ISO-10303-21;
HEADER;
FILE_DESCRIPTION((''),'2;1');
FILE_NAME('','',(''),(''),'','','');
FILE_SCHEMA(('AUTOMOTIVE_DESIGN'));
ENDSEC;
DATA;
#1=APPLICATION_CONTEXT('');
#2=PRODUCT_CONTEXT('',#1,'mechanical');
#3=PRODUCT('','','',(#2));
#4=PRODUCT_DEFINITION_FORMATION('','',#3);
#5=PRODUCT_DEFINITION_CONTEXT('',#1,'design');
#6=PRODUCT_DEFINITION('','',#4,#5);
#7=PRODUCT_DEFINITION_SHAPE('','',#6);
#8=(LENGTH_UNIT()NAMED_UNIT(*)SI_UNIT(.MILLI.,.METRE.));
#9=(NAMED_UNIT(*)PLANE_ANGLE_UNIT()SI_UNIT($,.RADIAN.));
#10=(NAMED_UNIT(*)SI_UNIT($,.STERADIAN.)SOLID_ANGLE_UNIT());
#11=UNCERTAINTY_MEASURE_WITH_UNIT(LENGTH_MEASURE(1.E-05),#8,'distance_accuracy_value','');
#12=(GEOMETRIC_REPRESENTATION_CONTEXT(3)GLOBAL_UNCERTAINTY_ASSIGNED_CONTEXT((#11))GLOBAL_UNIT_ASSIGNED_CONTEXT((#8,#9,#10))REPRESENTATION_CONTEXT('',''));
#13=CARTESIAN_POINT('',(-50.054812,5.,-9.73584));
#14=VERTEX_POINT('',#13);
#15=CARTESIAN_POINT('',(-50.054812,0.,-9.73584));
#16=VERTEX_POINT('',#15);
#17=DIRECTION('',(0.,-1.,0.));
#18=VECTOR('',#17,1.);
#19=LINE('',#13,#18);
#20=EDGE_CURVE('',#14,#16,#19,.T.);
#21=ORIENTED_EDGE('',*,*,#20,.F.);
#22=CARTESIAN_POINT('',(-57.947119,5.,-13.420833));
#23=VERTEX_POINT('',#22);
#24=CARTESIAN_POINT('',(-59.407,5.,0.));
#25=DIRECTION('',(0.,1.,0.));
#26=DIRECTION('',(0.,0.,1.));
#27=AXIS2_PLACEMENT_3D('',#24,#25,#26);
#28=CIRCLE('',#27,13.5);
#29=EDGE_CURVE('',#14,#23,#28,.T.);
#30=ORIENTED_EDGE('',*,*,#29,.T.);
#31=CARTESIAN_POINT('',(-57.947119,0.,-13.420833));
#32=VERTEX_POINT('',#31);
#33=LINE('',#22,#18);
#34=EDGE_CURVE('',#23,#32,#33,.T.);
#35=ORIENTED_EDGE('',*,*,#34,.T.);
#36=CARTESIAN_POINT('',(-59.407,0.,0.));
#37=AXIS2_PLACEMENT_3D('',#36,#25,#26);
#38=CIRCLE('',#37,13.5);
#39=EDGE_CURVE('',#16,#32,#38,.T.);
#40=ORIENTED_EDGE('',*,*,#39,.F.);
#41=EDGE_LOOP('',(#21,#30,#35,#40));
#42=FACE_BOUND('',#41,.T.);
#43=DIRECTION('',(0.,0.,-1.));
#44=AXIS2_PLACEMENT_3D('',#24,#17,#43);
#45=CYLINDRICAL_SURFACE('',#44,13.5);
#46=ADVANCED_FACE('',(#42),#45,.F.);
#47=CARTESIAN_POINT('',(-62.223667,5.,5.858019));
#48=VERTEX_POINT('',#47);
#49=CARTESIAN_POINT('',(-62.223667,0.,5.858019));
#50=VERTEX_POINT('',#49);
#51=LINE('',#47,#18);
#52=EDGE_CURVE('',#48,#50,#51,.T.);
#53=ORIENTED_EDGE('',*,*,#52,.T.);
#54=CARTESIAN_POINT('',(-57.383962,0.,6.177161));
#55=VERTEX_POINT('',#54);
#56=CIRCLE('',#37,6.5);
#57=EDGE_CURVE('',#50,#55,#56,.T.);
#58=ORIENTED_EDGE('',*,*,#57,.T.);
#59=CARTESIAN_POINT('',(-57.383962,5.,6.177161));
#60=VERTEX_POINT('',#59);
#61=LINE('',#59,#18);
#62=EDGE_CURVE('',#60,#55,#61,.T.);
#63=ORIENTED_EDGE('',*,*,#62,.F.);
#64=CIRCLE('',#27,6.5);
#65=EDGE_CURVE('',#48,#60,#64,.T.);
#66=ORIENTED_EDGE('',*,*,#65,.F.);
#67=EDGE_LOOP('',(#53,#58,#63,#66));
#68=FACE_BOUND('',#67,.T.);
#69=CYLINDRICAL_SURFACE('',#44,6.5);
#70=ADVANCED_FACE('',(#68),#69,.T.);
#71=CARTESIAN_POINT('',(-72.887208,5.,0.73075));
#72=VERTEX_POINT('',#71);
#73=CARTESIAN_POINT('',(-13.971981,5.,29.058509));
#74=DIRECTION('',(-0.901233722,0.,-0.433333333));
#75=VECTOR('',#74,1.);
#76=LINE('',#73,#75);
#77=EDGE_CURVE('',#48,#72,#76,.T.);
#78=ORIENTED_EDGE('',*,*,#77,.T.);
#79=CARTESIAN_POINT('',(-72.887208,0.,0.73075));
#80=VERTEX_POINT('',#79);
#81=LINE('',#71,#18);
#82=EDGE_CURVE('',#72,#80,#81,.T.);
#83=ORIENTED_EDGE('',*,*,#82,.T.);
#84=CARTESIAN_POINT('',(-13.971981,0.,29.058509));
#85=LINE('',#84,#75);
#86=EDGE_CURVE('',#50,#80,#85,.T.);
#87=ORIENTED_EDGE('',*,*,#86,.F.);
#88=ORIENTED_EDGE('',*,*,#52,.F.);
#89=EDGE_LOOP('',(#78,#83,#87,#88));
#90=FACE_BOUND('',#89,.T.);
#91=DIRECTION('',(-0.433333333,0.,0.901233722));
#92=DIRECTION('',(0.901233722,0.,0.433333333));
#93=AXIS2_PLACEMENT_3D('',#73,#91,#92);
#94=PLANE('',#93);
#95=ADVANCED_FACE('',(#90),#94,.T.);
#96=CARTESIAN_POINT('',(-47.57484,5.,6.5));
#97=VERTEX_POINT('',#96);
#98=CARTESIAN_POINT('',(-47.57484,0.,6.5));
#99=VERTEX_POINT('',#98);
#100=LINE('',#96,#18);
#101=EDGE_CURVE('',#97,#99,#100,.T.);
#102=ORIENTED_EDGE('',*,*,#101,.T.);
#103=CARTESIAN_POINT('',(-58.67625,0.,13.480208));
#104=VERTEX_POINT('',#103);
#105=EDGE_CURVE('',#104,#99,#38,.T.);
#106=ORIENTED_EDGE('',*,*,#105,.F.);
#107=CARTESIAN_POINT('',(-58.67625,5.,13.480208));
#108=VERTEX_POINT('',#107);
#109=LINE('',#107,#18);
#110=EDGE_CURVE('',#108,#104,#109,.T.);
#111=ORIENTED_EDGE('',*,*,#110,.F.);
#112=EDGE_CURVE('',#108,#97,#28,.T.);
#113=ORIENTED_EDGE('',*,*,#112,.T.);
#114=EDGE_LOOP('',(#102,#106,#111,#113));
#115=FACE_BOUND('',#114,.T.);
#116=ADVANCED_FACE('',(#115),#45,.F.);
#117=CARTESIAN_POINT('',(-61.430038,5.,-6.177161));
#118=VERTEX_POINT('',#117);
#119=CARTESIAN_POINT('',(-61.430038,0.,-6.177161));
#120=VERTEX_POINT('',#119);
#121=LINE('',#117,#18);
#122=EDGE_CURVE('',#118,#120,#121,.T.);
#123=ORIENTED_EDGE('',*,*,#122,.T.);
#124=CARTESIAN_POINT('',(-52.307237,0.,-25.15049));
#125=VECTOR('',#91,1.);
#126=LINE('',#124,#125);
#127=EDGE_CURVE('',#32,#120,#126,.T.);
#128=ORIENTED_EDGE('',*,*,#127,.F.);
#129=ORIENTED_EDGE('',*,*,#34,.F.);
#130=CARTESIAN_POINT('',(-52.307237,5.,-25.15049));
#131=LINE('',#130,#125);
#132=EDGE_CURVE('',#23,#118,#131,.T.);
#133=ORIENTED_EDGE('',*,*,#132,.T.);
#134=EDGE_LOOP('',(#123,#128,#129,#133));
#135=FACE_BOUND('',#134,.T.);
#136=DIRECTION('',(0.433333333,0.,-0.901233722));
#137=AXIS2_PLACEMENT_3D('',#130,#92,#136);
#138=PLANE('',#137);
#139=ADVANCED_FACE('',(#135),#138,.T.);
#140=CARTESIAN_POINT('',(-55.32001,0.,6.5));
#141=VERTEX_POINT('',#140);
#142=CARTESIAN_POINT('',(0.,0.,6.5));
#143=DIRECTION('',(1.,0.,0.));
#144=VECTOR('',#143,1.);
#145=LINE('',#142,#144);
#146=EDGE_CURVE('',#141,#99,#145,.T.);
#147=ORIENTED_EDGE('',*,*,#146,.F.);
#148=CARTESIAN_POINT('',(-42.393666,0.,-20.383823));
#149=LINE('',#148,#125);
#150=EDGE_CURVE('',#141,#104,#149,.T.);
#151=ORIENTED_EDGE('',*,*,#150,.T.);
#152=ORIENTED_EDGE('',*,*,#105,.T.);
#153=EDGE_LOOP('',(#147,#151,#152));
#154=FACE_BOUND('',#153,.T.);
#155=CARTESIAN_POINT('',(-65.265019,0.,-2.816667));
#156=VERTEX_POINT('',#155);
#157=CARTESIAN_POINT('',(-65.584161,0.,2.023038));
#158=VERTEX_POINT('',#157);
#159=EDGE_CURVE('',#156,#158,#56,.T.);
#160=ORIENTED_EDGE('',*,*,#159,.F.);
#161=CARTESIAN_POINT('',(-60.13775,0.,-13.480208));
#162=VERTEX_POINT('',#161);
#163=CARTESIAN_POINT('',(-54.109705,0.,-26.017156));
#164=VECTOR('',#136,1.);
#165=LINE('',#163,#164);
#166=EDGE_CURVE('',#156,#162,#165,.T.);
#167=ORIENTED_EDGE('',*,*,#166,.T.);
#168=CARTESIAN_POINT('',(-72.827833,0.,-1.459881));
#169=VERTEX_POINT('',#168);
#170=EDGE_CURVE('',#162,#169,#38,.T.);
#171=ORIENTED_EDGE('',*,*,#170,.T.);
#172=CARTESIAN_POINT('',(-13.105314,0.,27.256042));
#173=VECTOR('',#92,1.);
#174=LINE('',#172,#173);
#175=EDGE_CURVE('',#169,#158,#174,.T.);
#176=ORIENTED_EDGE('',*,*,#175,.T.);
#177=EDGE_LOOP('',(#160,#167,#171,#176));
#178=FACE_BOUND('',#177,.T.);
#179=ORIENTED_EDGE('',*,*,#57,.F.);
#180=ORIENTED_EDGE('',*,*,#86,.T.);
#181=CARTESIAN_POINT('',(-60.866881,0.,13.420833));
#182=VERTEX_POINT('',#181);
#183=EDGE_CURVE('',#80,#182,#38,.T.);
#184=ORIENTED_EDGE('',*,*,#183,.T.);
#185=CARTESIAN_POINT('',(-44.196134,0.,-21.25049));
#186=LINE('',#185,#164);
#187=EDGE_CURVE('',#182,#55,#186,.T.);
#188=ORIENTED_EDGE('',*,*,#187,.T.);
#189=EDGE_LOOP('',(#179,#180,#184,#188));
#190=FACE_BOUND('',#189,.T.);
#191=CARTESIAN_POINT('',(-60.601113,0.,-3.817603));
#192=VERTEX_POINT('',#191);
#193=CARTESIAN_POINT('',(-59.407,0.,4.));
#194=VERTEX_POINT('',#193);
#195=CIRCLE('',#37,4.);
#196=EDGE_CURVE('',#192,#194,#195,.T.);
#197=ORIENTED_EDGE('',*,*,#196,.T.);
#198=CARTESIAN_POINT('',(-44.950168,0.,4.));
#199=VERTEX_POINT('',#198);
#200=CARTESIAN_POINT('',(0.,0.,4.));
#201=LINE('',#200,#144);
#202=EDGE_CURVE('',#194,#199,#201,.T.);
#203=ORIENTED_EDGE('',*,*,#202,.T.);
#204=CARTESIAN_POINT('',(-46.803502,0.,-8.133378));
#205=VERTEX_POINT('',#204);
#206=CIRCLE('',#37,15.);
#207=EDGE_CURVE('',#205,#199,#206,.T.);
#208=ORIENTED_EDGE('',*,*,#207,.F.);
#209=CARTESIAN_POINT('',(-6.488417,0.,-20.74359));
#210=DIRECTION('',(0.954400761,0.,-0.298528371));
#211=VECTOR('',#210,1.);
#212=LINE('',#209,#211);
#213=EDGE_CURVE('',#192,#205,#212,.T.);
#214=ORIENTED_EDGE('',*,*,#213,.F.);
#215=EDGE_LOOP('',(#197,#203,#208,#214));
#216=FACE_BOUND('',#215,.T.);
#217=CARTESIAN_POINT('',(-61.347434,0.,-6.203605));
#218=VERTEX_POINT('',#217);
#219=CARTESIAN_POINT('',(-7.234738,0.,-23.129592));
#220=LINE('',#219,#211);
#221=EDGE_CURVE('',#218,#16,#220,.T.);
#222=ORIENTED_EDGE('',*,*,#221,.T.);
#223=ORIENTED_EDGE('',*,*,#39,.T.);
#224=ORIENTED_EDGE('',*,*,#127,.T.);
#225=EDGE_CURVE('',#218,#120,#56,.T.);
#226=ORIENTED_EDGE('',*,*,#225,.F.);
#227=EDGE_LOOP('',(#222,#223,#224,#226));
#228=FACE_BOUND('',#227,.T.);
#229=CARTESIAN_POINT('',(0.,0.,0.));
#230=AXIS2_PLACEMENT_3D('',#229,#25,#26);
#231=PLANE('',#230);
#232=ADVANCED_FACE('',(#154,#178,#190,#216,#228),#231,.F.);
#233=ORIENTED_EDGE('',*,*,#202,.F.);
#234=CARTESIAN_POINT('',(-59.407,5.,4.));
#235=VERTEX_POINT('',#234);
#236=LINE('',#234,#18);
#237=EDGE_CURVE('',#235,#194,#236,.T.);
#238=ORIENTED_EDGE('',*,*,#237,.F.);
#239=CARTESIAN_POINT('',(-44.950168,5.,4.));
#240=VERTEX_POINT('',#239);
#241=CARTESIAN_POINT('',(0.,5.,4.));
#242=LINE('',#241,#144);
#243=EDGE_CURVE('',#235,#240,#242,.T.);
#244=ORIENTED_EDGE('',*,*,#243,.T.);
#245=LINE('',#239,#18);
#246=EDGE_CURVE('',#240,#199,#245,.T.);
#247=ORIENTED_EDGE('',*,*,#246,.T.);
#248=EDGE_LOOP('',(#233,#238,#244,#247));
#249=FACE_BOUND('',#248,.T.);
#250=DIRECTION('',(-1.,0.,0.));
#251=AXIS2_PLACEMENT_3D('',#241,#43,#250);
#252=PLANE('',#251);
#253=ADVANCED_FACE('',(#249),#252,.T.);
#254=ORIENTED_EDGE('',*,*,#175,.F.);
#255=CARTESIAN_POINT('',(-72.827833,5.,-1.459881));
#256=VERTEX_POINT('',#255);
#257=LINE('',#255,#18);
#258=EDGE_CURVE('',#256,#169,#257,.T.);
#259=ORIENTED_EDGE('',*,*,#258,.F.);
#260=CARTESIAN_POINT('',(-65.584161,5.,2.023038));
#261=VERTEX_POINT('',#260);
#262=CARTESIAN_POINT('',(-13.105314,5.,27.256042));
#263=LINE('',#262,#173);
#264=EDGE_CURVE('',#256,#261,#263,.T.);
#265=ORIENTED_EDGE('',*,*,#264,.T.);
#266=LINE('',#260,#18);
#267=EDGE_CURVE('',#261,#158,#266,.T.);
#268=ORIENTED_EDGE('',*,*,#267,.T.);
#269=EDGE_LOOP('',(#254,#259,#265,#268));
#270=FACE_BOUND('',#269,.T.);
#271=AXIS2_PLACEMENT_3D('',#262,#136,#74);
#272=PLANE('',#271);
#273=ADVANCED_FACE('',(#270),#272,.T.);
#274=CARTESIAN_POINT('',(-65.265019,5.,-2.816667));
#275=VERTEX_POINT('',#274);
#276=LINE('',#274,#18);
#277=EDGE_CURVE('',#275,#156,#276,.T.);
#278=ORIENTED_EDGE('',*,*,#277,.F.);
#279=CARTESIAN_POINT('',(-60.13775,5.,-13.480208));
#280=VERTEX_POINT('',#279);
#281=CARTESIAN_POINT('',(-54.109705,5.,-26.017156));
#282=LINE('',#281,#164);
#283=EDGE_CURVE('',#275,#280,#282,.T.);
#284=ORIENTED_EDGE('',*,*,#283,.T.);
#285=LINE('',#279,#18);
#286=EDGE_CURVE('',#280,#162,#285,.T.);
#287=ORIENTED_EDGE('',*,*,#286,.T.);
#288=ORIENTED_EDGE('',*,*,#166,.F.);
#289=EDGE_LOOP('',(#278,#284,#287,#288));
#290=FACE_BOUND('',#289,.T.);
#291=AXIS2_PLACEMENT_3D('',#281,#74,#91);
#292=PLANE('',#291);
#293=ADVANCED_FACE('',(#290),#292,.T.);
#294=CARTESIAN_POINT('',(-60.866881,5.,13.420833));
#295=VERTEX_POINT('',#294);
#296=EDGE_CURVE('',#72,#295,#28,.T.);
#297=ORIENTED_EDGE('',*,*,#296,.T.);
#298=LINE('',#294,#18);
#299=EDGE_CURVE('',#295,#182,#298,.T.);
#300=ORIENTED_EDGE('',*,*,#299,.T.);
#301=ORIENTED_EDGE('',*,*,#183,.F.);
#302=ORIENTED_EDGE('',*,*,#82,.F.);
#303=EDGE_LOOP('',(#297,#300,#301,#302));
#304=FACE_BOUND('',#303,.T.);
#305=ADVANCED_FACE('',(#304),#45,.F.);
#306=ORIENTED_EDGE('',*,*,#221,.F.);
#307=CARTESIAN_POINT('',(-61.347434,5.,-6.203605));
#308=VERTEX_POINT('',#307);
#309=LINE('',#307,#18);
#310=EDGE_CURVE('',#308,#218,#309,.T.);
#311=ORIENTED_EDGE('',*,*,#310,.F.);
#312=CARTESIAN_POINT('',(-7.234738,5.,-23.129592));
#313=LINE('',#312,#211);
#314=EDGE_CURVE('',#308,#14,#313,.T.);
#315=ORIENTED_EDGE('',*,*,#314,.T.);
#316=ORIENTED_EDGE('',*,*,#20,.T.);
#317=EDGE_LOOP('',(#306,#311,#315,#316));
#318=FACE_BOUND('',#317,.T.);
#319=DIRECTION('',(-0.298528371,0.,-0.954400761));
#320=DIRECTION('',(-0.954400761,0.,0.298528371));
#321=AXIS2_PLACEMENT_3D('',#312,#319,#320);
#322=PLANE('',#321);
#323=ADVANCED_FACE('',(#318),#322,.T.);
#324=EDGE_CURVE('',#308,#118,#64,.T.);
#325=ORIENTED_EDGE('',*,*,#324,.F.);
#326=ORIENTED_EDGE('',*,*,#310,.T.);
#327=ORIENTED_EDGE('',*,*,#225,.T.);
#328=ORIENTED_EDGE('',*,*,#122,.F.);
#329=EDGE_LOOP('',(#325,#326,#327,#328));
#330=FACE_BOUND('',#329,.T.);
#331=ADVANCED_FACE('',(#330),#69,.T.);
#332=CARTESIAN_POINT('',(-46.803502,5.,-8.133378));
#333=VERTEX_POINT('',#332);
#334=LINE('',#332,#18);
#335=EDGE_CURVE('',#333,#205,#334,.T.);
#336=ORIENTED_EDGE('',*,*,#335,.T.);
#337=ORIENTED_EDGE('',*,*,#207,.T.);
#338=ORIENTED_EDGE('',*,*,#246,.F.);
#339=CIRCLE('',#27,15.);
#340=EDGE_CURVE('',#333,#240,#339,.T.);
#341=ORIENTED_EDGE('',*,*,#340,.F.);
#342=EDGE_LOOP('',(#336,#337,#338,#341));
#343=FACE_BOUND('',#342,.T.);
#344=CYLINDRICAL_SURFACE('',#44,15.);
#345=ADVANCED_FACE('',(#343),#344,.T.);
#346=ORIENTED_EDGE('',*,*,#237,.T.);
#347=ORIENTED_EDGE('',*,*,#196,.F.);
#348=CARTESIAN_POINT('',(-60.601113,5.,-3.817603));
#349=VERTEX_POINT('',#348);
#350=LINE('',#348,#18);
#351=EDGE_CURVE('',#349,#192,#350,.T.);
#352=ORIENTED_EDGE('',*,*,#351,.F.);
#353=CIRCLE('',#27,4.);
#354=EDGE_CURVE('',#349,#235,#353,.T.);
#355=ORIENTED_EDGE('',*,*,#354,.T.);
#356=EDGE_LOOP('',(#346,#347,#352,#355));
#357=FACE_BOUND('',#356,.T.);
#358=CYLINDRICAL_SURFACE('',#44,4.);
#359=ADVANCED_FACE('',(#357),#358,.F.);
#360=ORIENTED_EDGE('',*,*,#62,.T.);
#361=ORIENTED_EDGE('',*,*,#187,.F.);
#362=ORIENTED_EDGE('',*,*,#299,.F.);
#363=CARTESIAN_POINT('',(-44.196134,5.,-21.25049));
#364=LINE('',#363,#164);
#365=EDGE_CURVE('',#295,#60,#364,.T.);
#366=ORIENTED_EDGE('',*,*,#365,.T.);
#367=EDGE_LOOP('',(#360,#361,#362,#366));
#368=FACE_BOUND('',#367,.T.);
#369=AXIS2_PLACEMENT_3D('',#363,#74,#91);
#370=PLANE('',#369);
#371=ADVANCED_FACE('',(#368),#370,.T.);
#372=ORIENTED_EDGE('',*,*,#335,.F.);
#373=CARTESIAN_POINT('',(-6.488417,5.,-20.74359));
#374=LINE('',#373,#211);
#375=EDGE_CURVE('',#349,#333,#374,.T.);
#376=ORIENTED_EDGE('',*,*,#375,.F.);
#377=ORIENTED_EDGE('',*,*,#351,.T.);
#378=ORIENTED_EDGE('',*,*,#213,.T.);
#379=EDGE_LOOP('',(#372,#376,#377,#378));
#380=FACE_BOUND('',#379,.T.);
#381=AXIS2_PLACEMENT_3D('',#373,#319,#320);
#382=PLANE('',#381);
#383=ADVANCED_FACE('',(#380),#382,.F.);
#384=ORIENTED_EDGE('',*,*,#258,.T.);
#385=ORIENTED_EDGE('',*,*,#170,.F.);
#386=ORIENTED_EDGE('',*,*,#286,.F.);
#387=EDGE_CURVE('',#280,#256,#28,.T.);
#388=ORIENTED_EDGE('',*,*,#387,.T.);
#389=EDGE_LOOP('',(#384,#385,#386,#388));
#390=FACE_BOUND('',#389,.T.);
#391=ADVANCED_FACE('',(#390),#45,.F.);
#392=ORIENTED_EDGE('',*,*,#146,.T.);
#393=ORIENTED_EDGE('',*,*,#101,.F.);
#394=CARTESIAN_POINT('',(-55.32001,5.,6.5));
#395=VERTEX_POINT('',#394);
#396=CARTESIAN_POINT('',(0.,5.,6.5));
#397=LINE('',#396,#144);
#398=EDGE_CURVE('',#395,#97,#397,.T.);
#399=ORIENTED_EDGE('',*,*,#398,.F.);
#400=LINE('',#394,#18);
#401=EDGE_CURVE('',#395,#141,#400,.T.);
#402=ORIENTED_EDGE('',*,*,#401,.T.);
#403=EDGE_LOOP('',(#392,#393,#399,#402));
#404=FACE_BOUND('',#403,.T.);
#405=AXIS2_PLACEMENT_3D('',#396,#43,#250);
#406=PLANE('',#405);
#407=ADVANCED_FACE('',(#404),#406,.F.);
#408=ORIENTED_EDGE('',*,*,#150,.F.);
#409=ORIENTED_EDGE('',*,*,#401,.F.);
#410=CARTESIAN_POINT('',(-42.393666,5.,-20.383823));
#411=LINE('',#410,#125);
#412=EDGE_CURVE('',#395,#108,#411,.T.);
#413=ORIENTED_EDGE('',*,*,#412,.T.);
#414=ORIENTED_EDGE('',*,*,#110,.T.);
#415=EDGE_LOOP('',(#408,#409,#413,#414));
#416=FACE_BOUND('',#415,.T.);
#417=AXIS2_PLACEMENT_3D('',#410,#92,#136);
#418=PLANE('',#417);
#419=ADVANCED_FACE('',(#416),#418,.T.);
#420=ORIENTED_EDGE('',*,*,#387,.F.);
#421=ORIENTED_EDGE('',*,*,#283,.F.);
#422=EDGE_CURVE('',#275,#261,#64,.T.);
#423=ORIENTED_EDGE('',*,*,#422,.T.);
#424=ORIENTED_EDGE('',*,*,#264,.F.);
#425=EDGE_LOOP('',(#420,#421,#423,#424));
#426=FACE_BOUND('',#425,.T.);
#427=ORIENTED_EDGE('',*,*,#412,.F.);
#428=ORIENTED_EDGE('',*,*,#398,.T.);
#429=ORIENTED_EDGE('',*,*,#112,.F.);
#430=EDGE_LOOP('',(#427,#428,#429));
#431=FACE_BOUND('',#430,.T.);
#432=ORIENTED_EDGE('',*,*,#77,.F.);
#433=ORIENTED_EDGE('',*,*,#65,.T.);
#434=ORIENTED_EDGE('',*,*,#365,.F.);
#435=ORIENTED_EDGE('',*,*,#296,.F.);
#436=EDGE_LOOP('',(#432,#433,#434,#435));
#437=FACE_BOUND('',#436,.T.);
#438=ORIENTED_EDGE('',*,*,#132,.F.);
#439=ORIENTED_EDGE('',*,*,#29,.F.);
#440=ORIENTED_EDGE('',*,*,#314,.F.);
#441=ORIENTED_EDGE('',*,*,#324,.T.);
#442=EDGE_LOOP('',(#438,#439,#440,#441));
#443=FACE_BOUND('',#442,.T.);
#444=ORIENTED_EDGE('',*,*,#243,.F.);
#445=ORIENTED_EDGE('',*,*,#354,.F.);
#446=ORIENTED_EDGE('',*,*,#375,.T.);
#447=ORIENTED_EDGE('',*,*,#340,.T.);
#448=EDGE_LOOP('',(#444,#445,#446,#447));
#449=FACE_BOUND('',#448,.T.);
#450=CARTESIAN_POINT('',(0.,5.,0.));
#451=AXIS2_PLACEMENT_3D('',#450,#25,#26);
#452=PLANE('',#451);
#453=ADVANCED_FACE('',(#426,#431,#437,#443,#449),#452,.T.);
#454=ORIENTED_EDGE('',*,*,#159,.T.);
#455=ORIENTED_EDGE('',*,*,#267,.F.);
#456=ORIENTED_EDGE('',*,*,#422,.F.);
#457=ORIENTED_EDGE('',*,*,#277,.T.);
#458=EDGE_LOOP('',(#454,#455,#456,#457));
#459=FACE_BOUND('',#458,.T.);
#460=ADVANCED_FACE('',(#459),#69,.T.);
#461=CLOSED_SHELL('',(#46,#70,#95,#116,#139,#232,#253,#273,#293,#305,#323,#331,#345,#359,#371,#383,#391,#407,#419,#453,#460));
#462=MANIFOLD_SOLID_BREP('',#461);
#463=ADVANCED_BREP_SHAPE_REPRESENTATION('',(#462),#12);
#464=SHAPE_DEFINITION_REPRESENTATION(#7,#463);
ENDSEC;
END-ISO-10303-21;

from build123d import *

# Parameters (mm, degrees)
EXTRUDE_1_DEPTH = 5


with BuildPart() as part:
    # 草图1 → 凸台-拉伸1 (new body)
    with BuildSketch(Plane(origin=(0, 0, 0), x_dir=(1, 0, 0), z_dir=(0, 1, 0))):
        with BuildLine():
            ThreePointArc((-46.803501746, 8.133377636), (-74.235016913, -2.264931442), (-44.950167705, -4))
            Line((-44.950167705, -4), (-59.407, -4))
            ThreePointArc((-59.407, -4), (-63.361137843, -0.603981718), (-60.601113484, 3.817603042))
            Line((-60.601113484, 3.817603042), (-46.803501746, 8.133377636))
        make_face()
        with BuildLine():
            Line((-60.13775005, 13.480207875), (-65.265019195, 2.816666667))
            ThreePointArc((-65.265019195, 2.816666667), (-65.892913632, 0.427696579), (-65.584160854, -2.023038254))
            Line((-65.584160854, -2.023038254), (-72.827832577, 1.459881143))
            ThreePointArc((-72.827832577, 1.459881143), (-68.690796982, 9.801077165), (-60.13775005, 13.480207875))
        make_face(mode=Mode.SUBTRACT)
        with BuildLine():
            Line((-72.887207875, -0.73075005), (-62.223666667, -5.858019195))
            ThreePointArc((-62.223666667, -5.858019195), (-59.834696579, -6.485913632), (-57.383961746, -6.177160854))
            Line((-57.383961746, -6.177160854), (-60.866881143, -13.420832577))
            ThreePointArc((-60.866881143, -13.420832577), (-69.208077165, -9.283796982), (-72.887207875, -0.73075005))
        make_face(mode=Mode.SUBTRACT)
        with BuildLine():
            Line((-58.67624995, -13.480207875), (-55.320009864, -6.5))
            Line((-55.320009864, -6.5), (-47.574840434, -6.5))
            ThreePointArc((-47.574840434, -6.5), (-52.22107626, -11.428582589), (-58.67624995, -13.480207875))
        make_face(mode=Mode.SUBTRACT)
        with BuildLine():
            ThreePointArc((-57.947118857, 13.420832577), (-53.695607864, 12.232334195), (-50.054812322, 9.735840264))
            Line((-50.054812322, 9.735840264), (-61.347434411, 6.203604944))
            ThreePointArc((-61.347434411, 6.203604944), (-61.388780441, 6.19052068), (-61.430038254, 6.177160854))
            Line((-61.430038254, 6.177160854), (-57.947118857, 13.420832577))
        make_face(mode=Mode.SUBTRACT)
    extrude(amount=EXTRUDE_1_DEPTH)


solid = part.part
